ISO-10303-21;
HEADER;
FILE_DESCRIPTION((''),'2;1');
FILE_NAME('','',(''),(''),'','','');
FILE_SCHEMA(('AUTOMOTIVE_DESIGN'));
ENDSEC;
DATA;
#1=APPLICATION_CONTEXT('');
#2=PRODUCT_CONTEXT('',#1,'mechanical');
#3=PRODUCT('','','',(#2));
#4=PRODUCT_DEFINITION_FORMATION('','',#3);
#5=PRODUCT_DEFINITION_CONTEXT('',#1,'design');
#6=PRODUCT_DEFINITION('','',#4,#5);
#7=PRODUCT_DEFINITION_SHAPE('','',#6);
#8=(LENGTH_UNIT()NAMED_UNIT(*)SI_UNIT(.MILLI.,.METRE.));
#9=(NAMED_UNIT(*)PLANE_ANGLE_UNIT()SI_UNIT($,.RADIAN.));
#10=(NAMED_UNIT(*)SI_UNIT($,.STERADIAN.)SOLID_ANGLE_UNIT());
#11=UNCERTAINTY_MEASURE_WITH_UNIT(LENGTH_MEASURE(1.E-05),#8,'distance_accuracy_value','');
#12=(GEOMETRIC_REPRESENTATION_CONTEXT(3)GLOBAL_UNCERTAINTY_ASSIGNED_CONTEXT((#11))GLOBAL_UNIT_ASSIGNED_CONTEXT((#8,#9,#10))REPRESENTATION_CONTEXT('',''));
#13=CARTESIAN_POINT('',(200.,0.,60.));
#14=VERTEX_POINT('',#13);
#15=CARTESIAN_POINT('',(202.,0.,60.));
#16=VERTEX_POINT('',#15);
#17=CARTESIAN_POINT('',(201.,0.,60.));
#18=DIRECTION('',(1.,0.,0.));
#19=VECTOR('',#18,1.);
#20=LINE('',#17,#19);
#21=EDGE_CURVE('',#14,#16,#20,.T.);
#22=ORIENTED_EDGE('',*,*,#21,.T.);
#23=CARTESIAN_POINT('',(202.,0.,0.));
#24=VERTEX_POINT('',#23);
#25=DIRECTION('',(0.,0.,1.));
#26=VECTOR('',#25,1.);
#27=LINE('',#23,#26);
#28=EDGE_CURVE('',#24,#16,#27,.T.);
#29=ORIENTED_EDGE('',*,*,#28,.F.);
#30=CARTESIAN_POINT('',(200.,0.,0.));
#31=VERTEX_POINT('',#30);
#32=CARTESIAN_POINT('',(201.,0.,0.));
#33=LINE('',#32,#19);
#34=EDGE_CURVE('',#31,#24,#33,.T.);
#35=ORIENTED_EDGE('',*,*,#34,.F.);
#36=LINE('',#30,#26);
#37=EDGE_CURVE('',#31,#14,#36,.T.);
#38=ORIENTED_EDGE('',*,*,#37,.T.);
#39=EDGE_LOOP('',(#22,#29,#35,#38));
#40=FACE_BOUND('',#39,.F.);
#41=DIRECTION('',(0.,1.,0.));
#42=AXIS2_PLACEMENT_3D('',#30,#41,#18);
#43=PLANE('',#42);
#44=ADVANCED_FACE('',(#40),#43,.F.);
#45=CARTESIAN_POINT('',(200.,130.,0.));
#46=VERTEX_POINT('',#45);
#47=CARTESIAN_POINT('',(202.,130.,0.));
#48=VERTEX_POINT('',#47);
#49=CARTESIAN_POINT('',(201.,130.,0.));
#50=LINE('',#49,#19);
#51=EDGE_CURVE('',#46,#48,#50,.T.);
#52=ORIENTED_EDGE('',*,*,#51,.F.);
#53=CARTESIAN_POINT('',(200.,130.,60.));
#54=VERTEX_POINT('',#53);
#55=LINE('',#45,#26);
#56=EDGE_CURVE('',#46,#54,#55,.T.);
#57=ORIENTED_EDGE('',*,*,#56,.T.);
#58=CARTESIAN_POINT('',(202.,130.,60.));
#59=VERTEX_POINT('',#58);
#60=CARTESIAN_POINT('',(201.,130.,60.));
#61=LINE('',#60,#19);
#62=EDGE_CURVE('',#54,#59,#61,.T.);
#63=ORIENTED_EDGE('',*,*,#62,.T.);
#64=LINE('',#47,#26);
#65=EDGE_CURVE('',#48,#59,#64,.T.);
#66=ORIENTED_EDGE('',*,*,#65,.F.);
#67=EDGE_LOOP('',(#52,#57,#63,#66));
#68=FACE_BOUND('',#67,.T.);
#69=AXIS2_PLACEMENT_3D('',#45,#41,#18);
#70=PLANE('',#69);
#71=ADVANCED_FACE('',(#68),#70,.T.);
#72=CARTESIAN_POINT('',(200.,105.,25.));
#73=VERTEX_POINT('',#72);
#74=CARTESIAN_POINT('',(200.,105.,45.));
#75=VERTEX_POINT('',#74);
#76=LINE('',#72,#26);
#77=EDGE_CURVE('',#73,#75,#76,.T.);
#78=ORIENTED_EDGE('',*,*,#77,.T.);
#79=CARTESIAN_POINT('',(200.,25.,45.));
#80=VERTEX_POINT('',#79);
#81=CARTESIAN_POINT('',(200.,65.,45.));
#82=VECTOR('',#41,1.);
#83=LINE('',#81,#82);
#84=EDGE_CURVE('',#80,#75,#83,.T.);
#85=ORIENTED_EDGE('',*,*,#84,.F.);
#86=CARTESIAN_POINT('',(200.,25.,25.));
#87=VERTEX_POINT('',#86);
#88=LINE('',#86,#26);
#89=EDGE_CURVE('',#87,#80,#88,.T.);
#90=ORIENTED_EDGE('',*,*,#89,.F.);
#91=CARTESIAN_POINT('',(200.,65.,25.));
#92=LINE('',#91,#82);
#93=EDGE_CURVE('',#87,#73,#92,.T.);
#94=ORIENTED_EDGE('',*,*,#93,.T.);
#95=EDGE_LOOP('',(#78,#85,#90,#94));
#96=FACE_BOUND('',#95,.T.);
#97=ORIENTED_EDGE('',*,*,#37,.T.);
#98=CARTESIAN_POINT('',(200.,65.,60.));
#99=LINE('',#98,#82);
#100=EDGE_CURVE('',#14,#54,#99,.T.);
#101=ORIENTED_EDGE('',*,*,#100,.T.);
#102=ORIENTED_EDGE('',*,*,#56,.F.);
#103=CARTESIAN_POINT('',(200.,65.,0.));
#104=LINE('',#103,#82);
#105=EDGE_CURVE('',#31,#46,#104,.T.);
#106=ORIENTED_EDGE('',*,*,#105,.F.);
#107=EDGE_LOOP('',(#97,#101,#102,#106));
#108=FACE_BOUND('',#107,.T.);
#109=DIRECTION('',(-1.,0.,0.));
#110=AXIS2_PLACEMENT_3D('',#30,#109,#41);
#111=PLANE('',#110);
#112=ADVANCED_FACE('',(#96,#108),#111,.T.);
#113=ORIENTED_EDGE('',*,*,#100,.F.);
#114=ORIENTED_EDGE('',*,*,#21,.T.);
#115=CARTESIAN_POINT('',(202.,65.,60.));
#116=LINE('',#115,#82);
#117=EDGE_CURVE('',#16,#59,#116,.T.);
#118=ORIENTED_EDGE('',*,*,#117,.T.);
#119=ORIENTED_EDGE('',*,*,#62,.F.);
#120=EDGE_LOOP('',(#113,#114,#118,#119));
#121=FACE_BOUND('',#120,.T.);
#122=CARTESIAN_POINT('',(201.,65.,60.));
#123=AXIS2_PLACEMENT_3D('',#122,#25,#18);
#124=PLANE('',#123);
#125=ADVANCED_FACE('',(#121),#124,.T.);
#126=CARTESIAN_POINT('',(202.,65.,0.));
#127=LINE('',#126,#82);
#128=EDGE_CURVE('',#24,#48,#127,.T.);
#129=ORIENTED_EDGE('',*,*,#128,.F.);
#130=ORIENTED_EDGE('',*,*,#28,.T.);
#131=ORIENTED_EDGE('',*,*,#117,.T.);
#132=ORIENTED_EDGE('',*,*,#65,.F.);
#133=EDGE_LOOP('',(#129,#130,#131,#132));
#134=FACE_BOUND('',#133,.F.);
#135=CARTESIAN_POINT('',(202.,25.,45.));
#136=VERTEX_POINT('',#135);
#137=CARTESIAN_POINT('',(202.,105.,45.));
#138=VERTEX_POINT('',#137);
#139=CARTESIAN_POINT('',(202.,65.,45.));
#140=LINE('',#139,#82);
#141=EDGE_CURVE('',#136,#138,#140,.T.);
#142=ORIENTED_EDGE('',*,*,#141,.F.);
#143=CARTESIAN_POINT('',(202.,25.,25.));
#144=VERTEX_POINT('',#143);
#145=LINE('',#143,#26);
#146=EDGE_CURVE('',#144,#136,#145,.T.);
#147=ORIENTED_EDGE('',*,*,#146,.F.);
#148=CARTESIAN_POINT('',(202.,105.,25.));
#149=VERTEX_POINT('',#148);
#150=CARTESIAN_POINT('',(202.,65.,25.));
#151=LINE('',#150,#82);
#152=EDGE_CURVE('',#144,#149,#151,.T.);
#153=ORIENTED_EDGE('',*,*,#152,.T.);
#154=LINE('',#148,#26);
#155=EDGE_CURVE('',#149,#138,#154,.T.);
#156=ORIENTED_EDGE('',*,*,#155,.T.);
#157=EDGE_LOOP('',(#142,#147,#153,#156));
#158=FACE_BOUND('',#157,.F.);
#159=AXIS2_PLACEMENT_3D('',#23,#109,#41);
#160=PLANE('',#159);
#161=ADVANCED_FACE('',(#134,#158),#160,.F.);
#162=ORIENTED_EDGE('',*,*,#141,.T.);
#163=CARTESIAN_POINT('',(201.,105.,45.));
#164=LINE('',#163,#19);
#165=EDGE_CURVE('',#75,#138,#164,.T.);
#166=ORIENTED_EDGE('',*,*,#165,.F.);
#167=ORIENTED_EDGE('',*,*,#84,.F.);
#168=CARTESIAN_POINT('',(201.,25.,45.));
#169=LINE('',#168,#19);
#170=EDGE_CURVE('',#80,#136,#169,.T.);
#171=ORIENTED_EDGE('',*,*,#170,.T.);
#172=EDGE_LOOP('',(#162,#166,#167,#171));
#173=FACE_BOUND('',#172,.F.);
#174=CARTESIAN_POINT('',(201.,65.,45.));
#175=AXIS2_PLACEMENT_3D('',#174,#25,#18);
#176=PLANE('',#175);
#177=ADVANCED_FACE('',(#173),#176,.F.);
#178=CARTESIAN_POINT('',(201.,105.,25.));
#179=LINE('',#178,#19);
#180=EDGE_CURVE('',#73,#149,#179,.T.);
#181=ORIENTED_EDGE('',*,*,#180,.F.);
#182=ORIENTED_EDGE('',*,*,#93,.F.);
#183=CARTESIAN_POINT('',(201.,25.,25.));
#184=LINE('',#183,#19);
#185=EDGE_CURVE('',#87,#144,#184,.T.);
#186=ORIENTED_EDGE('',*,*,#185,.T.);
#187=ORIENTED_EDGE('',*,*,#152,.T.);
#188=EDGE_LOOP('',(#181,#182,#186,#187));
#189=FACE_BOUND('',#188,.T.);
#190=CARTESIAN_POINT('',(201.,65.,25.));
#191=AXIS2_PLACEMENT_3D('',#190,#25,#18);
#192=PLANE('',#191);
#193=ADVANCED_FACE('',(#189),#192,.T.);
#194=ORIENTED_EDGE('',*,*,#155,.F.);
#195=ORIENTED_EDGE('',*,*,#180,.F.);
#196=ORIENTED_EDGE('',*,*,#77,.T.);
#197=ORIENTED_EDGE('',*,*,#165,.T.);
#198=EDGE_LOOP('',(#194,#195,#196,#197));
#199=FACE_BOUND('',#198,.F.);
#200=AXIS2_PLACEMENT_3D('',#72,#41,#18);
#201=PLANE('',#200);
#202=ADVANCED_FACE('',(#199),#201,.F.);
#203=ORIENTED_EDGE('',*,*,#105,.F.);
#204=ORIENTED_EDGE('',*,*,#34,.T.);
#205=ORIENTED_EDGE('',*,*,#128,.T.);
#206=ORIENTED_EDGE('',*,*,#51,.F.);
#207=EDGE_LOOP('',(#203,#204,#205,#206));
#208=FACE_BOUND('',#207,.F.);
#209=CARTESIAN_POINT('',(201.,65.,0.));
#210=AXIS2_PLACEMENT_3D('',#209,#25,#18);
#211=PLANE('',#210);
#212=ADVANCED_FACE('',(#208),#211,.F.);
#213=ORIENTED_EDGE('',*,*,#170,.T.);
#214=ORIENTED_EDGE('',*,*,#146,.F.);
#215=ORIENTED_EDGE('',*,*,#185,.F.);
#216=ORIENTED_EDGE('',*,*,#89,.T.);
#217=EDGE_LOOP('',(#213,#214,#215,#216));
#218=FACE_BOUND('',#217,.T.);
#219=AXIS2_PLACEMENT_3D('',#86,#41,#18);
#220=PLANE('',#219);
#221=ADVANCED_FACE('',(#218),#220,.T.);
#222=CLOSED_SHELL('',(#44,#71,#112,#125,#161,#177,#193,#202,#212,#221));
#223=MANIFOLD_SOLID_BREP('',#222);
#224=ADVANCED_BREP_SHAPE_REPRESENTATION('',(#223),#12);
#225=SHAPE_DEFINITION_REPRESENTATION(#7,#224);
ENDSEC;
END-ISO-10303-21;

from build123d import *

# Parameters (mm, degrees)
BOX060_W     = 2
BOX060_H     = 80
BOX060_DEPTH = 20
BOX059_W     = 2
BOX059_H     = 130
BOX059_DEPTH = 60


with BuildPart() as cube060:
    # Box060 → Box060 (new body)
    with BuildSketch(Plane(origin=(200, 25, 25), x_dir=(1, 0, 0), z_dir=(0, 0, 1))):
        with Locations((1, 40)):
            Rectangle(BOX060_W, BOX060_H)
    extrude(amount=BOX060_DEPTH)


with BuildPart() as cut004:
    # Box059 → Box059 (new body)
    with BuildSketch(Plane(origin=(200, 0, 0), x_dir=(1, 0, 0), z_dir=(0, 0, 1))):
        with Locations((1, 65)):
            Rectangle(BOX059_W, BOX059_H)
    extrude(amount=BOX059_DEPTH)

    # Cut004: cut Cube060
    add(cube060.part, mode=Mode.SUBTRACT)


solid = cut004.part
